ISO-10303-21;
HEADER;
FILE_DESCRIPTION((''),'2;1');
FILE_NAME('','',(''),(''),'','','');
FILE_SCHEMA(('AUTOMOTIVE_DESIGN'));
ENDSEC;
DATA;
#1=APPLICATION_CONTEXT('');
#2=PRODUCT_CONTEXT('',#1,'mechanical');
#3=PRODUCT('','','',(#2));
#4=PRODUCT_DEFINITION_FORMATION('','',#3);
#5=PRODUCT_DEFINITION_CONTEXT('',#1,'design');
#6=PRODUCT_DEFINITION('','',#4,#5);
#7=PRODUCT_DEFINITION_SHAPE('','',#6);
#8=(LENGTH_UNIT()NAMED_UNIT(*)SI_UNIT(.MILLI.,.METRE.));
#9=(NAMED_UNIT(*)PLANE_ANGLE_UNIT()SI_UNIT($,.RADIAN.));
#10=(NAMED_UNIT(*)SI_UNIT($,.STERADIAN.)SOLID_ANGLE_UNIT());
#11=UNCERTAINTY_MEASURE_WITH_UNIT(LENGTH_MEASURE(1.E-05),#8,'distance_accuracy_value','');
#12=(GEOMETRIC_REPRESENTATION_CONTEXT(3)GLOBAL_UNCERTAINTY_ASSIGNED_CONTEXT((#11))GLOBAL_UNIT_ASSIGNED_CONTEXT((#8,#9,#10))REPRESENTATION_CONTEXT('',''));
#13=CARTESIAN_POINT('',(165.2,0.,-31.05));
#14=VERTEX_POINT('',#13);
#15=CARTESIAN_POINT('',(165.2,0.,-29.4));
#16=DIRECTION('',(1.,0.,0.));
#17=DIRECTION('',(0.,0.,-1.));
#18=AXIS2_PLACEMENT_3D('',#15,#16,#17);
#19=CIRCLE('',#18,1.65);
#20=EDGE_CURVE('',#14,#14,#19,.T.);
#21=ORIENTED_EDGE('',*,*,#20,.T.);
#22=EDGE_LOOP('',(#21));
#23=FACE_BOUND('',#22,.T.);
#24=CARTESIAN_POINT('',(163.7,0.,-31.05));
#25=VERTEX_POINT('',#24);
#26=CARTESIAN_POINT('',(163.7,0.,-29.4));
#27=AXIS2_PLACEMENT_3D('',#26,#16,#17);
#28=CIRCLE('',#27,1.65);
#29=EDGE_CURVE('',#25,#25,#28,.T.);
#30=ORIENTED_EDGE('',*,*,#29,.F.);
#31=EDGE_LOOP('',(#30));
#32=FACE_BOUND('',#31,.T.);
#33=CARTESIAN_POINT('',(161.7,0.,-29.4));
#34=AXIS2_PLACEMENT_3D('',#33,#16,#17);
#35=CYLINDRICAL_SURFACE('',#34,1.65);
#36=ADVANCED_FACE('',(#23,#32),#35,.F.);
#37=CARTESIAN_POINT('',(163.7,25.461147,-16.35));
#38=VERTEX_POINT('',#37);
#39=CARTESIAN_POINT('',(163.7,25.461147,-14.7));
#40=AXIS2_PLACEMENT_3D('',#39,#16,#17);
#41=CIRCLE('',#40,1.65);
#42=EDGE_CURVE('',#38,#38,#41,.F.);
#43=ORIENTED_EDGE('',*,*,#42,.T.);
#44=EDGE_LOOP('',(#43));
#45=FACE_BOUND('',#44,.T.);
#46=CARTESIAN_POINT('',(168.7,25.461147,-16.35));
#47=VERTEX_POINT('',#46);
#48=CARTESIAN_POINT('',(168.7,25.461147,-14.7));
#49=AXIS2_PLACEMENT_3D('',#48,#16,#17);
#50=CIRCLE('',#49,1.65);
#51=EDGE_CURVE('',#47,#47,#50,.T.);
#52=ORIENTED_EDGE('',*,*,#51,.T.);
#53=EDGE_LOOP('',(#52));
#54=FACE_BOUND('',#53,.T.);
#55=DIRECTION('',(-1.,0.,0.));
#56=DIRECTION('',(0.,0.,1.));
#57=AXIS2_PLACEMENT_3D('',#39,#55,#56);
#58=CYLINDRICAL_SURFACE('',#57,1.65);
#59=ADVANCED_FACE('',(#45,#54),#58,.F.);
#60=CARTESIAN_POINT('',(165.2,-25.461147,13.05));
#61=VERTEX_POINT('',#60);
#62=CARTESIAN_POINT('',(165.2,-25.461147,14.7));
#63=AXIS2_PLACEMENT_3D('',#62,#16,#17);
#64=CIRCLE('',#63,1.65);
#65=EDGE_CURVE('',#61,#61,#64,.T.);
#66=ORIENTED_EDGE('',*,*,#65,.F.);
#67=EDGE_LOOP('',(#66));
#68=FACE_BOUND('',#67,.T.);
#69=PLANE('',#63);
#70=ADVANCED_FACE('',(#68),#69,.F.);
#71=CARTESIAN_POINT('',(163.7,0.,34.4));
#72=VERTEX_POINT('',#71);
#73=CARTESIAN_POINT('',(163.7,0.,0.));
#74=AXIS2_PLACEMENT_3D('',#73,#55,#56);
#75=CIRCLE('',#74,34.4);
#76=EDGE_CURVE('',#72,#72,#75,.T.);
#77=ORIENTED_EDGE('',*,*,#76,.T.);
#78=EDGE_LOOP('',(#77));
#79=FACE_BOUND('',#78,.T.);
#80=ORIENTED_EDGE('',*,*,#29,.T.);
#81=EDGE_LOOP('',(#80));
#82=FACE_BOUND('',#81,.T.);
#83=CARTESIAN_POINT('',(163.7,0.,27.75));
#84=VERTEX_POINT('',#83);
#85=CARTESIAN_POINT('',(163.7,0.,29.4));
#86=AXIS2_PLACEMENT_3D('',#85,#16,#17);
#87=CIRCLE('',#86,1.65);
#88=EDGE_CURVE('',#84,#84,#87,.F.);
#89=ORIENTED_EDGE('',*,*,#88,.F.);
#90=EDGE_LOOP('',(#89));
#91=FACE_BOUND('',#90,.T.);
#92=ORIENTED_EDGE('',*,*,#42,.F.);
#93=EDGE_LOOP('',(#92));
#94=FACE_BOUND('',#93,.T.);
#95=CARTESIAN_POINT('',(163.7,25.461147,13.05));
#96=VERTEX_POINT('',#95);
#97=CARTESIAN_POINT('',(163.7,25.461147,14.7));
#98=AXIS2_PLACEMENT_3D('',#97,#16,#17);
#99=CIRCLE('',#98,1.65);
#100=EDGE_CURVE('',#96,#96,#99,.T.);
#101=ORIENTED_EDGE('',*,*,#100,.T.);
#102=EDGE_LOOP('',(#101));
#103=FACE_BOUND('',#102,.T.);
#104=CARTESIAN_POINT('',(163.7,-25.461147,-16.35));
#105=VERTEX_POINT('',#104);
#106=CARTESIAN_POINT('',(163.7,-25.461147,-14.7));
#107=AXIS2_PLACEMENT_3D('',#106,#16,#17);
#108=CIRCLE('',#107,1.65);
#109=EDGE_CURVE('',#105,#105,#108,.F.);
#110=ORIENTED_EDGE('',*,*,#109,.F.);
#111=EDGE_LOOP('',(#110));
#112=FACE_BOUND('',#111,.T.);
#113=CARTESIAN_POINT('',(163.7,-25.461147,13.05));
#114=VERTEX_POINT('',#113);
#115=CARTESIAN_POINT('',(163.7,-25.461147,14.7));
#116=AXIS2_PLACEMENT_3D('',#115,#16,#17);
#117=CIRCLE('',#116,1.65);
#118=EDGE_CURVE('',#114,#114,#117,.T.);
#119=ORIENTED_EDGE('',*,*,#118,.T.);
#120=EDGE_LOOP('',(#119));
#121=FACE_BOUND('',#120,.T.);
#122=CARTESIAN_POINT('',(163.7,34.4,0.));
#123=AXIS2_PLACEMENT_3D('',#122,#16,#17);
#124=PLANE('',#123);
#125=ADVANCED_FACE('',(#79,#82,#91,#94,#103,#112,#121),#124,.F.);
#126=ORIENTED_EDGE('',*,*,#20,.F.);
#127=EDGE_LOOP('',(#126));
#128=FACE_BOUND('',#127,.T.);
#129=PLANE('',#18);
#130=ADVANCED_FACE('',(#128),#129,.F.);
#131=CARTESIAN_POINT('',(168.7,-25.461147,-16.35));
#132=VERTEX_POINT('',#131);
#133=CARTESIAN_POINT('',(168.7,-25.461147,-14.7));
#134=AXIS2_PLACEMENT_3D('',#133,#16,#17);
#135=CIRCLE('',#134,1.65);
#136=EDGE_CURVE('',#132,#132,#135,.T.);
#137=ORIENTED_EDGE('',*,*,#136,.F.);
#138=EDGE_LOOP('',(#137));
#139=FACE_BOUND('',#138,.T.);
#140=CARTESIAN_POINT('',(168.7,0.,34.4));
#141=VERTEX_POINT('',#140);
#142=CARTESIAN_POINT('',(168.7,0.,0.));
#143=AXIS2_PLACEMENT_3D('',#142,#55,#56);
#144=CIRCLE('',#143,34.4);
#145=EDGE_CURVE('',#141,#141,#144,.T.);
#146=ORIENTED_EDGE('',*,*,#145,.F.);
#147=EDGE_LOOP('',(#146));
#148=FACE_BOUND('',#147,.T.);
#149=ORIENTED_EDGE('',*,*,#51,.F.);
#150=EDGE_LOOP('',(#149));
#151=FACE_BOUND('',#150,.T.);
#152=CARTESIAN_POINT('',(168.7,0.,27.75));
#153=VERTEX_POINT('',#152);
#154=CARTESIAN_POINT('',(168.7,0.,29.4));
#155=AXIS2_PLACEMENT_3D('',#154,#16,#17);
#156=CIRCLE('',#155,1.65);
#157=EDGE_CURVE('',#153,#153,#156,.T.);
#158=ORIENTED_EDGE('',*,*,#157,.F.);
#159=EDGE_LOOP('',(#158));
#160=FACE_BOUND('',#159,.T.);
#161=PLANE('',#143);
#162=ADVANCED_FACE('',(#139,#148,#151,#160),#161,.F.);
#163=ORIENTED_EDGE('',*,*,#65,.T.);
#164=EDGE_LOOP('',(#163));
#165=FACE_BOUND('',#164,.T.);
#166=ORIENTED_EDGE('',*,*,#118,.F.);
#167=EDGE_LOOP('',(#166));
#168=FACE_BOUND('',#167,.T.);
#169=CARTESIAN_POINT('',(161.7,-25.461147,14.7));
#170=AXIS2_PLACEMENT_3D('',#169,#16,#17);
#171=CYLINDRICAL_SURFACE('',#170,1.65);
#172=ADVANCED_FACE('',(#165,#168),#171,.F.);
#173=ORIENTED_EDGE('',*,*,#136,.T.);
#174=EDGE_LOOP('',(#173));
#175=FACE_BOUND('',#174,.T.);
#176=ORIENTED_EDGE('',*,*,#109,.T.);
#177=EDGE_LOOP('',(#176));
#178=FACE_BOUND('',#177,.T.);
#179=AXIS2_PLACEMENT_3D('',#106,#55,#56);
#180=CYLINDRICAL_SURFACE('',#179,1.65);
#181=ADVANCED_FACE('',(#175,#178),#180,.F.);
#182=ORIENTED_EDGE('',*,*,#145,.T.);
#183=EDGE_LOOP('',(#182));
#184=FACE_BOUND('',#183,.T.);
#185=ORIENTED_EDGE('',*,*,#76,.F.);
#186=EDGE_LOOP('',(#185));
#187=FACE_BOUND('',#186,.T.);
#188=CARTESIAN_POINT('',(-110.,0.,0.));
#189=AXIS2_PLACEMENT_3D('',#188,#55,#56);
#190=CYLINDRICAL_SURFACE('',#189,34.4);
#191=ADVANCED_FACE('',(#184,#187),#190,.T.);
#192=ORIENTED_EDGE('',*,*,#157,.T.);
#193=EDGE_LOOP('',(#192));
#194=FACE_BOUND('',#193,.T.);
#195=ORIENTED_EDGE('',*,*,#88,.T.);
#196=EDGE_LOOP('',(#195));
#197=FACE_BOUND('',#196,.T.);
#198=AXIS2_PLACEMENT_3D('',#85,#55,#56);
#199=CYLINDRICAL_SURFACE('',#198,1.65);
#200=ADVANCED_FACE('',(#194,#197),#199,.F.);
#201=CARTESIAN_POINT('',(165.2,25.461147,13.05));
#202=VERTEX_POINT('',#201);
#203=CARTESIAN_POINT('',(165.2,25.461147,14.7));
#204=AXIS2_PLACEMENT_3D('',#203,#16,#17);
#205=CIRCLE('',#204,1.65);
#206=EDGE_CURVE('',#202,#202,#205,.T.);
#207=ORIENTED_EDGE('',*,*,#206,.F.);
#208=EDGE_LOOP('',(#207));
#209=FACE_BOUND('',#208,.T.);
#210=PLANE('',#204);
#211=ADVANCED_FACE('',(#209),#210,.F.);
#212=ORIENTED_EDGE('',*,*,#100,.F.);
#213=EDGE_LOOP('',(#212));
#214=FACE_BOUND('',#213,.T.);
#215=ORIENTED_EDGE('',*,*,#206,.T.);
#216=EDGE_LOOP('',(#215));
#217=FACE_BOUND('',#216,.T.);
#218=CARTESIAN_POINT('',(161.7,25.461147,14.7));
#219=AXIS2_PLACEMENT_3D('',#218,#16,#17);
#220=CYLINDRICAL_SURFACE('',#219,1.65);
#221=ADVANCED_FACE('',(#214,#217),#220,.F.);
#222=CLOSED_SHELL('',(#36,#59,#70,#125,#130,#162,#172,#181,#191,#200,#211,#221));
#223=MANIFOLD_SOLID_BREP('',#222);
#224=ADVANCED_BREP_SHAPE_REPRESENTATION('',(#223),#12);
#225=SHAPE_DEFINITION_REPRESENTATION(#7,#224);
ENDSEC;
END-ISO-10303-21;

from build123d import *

# Parameters (mm, degrees)
AXIAL_PROFILE_MM_W     = 5
AXIAL_PROFILE_MM_H     = 34.4
AXIAL_HOLES_DEPTH      = 176.574514096
AXIAL_HOLES_DEPTH_BACK = 176.574514096
SKETCH2_R              = 1.65
CUT_EXTRUDE2_START     = 165.2
SKETCH3_R              = 1.65
CUT_EXTRUDE2_DEPTH     = 3.5


with BuildPart() as part:
    # Axial profile (mm) → Full revolution (revolve)
    with BuildSketch(Plane.XY, mode=Mode.PRIVATE) as full_revolution_sk:
        with Locations((166.2, 17.2)):
            Rectangle(AXIAL_PROFILE_MM_W, AXIAL_PROFILE_MM_H)
    revolve(full_revolution_sk.sketch.rotate(Axis((-110, 0, 0), (1, 0, 0)), 90), axis=Axis((-110, 0, 0), (1, 0, 0)))

    # Sketch2 → Axial holes (cut, two sides: drawn at the far end of the back side and taken through both)
    with BuildSketch(Plane(origin=(0, 0, 0), x_dir=(0, 0, -1), z_dir=(1, 0, 0)).offset(-AXIAL_HOLES_DEPTH_BACK)):
        with Locations((-29.4, 0)):
            Circle(SKETCH2_R)
        with Locations((14.7, -25.461146871)):
            Circle(SKETCH2_R)
        with Locations((14.7, 25.461146871)):
            Circle(SKETCH2_R)
    extrude(amount=AXIAL_HOLES_DEPTH + AXIAL_HOLES_DEPTH_BACK, mode=Mode.SUBTRACT)

    # Sketch3 → Cut-Extrude2 (cut)
    with BuildSketch(Plane(origin=(0, 0, 0), x_dir=(0, 0, -1), z_dir=(1, 0, 0)).offset(CUT_EXTRUDE2_START)):
        with Locations((29.4, 0)):
            Circle(SKETCH3_R)
        with Locations((-14.7, 25.461146871)):
            Circle(SKETCH3_R)
        with Locations((-14.7, -25.461146871)):
            Circle(SKETCH3_R)
    extrude(amount=-CUT_EXTRUDE2_DEPTH, mode=Mode.SUBTRACT)


solid = part.part
